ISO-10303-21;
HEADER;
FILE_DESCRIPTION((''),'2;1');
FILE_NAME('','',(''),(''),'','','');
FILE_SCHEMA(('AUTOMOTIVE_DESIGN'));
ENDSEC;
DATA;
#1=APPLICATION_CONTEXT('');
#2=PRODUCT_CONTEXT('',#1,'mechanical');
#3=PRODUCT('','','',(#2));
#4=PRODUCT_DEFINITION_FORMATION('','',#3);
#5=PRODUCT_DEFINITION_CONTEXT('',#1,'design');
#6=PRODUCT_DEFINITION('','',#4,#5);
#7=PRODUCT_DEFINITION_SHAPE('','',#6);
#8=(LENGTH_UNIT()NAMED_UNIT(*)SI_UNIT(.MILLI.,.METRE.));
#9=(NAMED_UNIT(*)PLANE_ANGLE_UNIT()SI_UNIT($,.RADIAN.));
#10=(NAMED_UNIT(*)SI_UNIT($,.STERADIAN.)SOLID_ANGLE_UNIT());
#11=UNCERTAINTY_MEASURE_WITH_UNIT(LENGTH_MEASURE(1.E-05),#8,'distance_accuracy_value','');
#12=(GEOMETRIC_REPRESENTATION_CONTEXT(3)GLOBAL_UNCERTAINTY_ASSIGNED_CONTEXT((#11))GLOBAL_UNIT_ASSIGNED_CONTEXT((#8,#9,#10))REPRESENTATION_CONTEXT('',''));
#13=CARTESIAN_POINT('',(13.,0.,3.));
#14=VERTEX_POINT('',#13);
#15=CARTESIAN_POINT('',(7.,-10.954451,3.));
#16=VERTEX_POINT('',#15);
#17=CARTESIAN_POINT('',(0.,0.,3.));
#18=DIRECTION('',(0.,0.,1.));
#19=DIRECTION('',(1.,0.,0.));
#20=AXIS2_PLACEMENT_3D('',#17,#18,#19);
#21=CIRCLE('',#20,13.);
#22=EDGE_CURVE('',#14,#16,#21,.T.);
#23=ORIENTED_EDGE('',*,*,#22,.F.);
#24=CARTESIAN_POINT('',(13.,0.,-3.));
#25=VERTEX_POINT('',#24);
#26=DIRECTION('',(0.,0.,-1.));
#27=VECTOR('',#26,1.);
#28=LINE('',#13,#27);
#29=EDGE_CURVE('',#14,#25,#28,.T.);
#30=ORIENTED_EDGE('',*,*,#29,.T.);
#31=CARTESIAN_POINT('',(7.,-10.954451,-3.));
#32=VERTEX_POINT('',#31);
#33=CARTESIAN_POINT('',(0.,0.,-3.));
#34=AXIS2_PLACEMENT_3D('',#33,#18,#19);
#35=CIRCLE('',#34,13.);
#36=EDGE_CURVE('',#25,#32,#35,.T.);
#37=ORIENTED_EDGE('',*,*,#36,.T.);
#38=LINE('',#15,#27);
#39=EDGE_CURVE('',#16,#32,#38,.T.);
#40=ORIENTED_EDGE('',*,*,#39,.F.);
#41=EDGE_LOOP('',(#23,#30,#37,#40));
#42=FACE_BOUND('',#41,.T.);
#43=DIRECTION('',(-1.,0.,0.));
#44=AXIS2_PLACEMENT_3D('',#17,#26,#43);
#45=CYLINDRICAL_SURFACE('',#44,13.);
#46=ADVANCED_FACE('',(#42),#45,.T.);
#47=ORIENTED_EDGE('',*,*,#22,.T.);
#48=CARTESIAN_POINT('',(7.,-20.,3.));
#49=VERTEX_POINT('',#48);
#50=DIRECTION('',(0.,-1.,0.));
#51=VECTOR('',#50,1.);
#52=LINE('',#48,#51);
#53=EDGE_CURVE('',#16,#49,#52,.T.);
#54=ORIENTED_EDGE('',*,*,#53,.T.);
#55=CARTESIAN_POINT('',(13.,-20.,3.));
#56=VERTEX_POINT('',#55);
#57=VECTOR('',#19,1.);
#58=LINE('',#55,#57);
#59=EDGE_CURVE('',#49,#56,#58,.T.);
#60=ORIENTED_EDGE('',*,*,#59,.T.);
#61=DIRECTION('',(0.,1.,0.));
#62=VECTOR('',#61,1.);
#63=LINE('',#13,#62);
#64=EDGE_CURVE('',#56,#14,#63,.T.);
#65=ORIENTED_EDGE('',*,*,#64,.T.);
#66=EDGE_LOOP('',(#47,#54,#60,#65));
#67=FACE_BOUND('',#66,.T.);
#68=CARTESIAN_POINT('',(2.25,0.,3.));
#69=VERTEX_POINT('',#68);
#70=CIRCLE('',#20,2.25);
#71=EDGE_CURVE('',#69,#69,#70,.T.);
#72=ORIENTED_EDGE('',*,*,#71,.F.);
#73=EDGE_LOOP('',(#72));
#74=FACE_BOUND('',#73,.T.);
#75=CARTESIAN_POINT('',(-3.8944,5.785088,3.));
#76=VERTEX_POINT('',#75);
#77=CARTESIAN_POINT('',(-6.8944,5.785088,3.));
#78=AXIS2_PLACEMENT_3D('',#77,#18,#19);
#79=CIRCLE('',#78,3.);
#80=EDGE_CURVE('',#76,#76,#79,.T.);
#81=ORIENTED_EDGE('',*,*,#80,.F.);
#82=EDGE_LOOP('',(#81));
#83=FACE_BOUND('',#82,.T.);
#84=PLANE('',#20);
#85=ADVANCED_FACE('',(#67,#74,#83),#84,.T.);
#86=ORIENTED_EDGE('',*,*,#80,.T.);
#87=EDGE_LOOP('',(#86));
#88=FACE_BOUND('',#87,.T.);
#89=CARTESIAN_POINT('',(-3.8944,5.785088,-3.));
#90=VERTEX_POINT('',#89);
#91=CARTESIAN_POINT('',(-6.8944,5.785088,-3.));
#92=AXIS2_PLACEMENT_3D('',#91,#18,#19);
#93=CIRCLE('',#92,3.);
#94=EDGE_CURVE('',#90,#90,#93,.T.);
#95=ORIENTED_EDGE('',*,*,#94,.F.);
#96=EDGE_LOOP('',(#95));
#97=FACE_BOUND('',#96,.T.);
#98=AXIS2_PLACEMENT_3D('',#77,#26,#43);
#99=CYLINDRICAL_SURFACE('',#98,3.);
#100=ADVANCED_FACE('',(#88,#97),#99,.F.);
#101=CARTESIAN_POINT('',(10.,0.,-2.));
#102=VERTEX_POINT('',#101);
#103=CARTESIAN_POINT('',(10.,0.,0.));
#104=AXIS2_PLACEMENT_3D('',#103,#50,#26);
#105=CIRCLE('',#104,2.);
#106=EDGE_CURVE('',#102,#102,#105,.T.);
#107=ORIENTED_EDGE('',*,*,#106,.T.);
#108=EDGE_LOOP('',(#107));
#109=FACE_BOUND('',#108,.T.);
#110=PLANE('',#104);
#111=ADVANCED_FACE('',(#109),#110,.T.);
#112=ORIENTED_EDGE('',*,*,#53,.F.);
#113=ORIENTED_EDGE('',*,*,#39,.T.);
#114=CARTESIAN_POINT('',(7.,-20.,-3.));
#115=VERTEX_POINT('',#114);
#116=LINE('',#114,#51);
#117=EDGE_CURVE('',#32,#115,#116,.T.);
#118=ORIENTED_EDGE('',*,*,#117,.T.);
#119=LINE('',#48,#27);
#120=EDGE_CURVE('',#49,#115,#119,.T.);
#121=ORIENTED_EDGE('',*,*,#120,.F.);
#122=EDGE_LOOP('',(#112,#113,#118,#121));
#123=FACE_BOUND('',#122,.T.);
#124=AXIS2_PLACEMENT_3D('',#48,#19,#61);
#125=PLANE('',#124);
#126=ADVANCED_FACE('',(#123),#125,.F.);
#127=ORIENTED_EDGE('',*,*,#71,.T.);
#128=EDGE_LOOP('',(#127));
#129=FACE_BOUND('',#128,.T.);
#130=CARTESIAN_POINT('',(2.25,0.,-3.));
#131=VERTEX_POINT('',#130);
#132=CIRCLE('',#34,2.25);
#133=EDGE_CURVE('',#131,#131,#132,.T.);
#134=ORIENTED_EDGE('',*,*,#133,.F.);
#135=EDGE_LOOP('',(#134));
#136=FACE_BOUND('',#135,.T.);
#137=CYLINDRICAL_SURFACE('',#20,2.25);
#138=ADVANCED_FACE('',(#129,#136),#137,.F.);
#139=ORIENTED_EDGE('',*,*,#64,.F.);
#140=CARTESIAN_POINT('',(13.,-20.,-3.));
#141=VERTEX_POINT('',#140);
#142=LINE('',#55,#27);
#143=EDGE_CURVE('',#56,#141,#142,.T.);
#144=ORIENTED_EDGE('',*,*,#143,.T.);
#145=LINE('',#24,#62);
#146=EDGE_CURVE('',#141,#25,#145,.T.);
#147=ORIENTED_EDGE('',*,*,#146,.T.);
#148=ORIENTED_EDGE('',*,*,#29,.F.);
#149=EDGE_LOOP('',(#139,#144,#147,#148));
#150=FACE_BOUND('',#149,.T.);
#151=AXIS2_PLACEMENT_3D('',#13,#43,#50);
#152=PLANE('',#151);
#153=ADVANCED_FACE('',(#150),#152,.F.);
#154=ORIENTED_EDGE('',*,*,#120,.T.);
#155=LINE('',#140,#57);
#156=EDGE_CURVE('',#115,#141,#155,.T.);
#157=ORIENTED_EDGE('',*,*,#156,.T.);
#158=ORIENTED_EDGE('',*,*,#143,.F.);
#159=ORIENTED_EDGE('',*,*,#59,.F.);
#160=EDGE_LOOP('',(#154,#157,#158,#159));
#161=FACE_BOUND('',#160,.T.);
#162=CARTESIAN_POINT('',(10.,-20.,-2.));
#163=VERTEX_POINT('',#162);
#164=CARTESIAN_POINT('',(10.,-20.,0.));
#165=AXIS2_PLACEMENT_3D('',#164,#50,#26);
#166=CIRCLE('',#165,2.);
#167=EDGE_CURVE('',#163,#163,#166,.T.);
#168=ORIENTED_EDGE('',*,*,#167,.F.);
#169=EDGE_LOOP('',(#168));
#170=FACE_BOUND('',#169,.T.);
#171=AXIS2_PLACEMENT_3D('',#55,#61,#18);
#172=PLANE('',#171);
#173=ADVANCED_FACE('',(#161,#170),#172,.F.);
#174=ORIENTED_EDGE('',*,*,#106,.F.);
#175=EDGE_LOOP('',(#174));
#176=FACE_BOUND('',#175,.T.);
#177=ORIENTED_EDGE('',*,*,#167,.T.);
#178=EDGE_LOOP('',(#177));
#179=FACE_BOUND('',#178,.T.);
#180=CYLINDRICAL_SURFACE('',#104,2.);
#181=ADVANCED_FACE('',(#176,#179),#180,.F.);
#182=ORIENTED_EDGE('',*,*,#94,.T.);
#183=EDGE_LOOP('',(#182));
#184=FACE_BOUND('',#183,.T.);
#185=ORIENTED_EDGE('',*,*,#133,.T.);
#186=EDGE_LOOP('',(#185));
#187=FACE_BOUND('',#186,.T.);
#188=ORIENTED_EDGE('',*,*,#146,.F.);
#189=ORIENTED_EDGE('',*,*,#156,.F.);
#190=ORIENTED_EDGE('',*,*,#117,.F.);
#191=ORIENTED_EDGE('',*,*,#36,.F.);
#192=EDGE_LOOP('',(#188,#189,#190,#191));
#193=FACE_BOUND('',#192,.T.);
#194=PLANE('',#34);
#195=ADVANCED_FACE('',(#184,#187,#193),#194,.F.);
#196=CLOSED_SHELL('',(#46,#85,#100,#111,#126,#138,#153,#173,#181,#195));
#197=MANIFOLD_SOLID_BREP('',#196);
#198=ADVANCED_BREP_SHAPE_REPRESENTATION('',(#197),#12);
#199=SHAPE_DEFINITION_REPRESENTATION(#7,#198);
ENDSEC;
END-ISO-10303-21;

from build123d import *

# Parameters (mm, degrees)
BOSS_EXTRUDE1_DEPTH  = 3
M4_CLEARANCE_HOLE1_D = 4.5
SKETCH5_R            = 2
CUT_EXTRUDE1_DEPTH   = 20
SKETCH8_R            = 3
CUT_EXTRUDE3_DEPTH   = 25.596747752


with BuildPart() as part:
    # Sketch2 → Boss-Extrude1 (new, symmetric)
    with BuildSketch(Plane.XY):
        with BuildLine():
            Line((13, 0), (13, -20))
            Line((13, -20), (7, -20))
            Line((7, -20), (7, -10.95445115))
            ThreePointArc((7, -10.95445115), (-11.401754251, 6.244997998), (13, 0))
        make_face()
    extrude(amount=BOSS_EXTRUDE1_DEPTH, both=True)

    # M4 Clearance Hole1 (through all)
    with Locations(Plane.XY.offset(3)):
        with Locations((0, 0)):
            Hole(M4_CLEARANCE_HOLE1_D / 2)

    # Sketch5 → Cut-Extrude1 (cut)
    with BuildSketch(Plane.XZ.offset(20)):
        with Locations(Location((10, 0, 0), (0, 0, 270))):
            Circle(SKETCH5_R)
    extrude(amount=-CUT_EXTRUDE1_DEPTH, mode=Mode.SUBTRACT)

    # Sketch8 → Cut-Extrude3 (cut, through all)
    with BuildSketch(Plane.XY.offset(-3)):
        with Locations((-6.894399988, 5.785088487)):
            Circle(SKETCH8_R)
    extrude(amount=CUT_EXTRUDE3_DEPTH, mode=Mode.SUBTRACT)


solid = part.part
